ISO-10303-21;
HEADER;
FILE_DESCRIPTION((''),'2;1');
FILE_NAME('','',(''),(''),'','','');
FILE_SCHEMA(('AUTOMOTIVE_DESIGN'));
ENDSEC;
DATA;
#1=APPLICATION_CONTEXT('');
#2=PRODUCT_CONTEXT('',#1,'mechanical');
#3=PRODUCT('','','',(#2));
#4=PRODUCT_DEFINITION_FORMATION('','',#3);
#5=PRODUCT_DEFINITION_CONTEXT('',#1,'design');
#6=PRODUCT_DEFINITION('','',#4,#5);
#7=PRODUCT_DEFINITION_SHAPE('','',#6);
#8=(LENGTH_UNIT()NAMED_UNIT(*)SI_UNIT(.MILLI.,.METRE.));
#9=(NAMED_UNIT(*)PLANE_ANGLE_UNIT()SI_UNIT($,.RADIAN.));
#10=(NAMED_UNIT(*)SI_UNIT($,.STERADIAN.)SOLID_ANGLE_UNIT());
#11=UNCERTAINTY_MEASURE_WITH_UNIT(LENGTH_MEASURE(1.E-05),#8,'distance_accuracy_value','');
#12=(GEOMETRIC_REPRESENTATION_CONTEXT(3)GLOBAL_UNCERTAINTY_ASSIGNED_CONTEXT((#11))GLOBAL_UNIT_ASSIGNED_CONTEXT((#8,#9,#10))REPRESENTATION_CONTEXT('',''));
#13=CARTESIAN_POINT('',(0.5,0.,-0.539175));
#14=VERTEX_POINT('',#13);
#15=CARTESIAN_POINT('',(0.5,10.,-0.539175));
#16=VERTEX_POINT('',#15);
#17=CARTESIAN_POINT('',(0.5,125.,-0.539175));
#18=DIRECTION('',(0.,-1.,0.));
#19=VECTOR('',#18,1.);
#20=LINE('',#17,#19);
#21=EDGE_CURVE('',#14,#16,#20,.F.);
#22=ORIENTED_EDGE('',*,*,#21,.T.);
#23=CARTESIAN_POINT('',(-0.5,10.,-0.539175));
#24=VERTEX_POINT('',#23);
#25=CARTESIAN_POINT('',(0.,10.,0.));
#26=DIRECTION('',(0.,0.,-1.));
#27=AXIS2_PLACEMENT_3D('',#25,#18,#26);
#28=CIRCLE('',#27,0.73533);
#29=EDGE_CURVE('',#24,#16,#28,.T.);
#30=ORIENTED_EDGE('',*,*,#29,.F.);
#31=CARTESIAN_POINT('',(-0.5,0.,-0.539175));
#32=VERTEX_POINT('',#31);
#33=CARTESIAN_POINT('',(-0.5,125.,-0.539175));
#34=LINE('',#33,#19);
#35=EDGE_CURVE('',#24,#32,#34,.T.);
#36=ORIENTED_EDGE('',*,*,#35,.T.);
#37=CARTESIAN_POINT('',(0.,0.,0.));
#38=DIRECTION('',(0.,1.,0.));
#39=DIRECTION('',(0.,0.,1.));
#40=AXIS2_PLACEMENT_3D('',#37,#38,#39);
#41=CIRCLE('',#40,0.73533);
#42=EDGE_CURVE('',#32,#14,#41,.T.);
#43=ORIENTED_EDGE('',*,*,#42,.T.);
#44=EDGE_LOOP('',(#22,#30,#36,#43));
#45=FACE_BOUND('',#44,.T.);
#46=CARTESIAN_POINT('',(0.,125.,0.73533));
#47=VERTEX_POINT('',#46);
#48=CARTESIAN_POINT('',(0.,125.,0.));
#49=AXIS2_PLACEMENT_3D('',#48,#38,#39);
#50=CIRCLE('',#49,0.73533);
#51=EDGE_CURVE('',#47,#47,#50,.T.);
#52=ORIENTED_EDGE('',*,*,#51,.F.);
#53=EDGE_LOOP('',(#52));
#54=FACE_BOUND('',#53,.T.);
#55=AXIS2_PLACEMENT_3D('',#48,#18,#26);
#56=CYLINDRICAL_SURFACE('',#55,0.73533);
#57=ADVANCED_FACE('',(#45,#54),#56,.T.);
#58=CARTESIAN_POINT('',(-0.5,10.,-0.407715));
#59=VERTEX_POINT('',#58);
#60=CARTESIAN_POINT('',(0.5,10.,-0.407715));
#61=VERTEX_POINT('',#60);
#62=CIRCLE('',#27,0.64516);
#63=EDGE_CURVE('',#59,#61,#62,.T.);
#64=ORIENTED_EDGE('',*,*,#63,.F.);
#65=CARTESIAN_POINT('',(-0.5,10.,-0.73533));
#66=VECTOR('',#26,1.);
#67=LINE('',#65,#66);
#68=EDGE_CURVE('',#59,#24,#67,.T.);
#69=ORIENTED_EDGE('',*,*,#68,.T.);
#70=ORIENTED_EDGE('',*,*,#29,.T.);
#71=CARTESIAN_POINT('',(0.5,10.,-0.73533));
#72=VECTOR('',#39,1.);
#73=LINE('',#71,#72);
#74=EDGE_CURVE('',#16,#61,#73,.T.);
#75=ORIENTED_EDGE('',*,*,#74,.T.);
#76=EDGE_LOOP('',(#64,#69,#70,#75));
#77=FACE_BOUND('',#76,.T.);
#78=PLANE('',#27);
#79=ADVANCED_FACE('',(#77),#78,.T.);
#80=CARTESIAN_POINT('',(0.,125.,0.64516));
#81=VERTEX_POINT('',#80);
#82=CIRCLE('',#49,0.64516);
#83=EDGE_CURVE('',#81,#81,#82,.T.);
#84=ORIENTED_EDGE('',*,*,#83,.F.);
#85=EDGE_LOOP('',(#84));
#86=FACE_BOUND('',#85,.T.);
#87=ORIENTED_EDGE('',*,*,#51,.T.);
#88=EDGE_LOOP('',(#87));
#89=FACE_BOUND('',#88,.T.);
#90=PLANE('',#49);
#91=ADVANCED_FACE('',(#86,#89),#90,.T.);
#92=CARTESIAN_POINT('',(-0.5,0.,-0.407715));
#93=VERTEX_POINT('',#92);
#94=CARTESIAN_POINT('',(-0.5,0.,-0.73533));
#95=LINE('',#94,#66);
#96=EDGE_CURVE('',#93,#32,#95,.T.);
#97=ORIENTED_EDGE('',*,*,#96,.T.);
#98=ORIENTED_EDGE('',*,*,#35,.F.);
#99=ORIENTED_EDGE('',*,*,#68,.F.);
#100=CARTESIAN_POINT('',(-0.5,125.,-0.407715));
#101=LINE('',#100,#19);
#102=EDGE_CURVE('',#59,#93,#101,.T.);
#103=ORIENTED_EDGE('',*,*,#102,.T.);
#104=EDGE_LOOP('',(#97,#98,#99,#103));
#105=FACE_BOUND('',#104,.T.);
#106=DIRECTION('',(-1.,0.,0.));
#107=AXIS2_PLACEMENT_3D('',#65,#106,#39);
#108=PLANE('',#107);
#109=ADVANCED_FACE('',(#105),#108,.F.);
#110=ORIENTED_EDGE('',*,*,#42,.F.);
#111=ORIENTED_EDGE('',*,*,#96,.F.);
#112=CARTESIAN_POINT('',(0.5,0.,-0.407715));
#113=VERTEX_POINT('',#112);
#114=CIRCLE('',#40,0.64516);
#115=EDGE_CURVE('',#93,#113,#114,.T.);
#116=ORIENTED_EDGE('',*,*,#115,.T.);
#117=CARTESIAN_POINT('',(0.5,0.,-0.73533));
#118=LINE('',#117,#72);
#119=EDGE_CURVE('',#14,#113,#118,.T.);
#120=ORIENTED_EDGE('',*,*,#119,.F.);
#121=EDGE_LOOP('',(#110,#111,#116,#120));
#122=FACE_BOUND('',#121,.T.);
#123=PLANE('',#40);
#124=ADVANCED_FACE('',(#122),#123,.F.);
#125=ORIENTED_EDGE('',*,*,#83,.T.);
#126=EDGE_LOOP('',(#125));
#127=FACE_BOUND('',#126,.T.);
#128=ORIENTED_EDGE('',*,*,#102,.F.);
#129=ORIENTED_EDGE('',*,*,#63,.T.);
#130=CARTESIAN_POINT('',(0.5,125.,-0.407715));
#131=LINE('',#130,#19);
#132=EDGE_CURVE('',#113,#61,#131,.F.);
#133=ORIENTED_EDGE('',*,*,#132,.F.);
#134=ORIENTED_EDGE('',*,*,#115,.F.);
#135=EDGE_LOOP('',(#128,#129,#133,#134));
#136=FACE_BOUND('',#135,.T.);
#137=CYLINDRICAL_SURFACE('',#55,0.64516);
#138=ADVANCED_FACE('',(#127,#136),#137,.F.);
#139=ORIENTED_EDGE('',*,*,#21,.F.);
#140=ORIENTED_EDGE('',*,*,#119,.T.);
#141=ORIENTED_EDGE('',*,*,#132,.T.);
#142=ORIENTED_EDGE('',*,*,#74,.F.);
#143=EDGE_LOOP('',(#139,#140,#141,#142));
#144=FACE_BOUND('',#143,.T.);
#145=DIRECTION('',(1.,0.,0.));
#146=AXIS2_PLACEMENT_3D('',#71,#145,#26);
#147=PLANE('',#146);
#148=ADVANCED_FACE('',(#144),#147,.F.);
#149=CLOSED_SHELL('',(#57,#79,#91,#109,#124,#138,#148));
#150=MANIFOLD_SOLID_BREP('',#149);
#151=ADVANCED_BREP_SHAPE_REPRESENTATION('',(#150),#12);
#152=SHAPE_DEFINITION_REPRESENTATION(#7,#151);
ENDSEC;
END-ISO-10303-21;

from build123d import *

# Parameters (mm, degrees)
SKETCH1_R           = 0.73533
SKETCH1_R_2         = 0.64516
BOSS_EXTRUDE1_DEPTH = 125
SKETCH2_W           = 1
SKETCH2_H           = 0.344184039
CUT_EXTRUDE1_DEPTH  = 10


with BuildPart() as part:
    # Sketch1 → Boss-Extrude1 (new body)
    with BuildSketch(Plane(origin=(0, 0, 0), x_dir=(1, 0, 0), z_dir=(0, 1, 0))):
        Circle(SKETCH1_R)
        Circle(SKETCH1_R_2, mode=Mode.SUBTRACT)
    extrude(amount=BOSS_EXTRUDE1_DEPTH)

    # Sketch2 → Cut-Extrude1 (cut)
    with BuildSketch(Plane.XZ):
        with Locations((0, -0.563237981)):
            Rectangle(SKETCH2_W, SKETCH2_H)
    extrude(amount=-CUT_EXTRUDE1_DEPTH, mode=Mode.SUBTRACT)


solid = part.part
